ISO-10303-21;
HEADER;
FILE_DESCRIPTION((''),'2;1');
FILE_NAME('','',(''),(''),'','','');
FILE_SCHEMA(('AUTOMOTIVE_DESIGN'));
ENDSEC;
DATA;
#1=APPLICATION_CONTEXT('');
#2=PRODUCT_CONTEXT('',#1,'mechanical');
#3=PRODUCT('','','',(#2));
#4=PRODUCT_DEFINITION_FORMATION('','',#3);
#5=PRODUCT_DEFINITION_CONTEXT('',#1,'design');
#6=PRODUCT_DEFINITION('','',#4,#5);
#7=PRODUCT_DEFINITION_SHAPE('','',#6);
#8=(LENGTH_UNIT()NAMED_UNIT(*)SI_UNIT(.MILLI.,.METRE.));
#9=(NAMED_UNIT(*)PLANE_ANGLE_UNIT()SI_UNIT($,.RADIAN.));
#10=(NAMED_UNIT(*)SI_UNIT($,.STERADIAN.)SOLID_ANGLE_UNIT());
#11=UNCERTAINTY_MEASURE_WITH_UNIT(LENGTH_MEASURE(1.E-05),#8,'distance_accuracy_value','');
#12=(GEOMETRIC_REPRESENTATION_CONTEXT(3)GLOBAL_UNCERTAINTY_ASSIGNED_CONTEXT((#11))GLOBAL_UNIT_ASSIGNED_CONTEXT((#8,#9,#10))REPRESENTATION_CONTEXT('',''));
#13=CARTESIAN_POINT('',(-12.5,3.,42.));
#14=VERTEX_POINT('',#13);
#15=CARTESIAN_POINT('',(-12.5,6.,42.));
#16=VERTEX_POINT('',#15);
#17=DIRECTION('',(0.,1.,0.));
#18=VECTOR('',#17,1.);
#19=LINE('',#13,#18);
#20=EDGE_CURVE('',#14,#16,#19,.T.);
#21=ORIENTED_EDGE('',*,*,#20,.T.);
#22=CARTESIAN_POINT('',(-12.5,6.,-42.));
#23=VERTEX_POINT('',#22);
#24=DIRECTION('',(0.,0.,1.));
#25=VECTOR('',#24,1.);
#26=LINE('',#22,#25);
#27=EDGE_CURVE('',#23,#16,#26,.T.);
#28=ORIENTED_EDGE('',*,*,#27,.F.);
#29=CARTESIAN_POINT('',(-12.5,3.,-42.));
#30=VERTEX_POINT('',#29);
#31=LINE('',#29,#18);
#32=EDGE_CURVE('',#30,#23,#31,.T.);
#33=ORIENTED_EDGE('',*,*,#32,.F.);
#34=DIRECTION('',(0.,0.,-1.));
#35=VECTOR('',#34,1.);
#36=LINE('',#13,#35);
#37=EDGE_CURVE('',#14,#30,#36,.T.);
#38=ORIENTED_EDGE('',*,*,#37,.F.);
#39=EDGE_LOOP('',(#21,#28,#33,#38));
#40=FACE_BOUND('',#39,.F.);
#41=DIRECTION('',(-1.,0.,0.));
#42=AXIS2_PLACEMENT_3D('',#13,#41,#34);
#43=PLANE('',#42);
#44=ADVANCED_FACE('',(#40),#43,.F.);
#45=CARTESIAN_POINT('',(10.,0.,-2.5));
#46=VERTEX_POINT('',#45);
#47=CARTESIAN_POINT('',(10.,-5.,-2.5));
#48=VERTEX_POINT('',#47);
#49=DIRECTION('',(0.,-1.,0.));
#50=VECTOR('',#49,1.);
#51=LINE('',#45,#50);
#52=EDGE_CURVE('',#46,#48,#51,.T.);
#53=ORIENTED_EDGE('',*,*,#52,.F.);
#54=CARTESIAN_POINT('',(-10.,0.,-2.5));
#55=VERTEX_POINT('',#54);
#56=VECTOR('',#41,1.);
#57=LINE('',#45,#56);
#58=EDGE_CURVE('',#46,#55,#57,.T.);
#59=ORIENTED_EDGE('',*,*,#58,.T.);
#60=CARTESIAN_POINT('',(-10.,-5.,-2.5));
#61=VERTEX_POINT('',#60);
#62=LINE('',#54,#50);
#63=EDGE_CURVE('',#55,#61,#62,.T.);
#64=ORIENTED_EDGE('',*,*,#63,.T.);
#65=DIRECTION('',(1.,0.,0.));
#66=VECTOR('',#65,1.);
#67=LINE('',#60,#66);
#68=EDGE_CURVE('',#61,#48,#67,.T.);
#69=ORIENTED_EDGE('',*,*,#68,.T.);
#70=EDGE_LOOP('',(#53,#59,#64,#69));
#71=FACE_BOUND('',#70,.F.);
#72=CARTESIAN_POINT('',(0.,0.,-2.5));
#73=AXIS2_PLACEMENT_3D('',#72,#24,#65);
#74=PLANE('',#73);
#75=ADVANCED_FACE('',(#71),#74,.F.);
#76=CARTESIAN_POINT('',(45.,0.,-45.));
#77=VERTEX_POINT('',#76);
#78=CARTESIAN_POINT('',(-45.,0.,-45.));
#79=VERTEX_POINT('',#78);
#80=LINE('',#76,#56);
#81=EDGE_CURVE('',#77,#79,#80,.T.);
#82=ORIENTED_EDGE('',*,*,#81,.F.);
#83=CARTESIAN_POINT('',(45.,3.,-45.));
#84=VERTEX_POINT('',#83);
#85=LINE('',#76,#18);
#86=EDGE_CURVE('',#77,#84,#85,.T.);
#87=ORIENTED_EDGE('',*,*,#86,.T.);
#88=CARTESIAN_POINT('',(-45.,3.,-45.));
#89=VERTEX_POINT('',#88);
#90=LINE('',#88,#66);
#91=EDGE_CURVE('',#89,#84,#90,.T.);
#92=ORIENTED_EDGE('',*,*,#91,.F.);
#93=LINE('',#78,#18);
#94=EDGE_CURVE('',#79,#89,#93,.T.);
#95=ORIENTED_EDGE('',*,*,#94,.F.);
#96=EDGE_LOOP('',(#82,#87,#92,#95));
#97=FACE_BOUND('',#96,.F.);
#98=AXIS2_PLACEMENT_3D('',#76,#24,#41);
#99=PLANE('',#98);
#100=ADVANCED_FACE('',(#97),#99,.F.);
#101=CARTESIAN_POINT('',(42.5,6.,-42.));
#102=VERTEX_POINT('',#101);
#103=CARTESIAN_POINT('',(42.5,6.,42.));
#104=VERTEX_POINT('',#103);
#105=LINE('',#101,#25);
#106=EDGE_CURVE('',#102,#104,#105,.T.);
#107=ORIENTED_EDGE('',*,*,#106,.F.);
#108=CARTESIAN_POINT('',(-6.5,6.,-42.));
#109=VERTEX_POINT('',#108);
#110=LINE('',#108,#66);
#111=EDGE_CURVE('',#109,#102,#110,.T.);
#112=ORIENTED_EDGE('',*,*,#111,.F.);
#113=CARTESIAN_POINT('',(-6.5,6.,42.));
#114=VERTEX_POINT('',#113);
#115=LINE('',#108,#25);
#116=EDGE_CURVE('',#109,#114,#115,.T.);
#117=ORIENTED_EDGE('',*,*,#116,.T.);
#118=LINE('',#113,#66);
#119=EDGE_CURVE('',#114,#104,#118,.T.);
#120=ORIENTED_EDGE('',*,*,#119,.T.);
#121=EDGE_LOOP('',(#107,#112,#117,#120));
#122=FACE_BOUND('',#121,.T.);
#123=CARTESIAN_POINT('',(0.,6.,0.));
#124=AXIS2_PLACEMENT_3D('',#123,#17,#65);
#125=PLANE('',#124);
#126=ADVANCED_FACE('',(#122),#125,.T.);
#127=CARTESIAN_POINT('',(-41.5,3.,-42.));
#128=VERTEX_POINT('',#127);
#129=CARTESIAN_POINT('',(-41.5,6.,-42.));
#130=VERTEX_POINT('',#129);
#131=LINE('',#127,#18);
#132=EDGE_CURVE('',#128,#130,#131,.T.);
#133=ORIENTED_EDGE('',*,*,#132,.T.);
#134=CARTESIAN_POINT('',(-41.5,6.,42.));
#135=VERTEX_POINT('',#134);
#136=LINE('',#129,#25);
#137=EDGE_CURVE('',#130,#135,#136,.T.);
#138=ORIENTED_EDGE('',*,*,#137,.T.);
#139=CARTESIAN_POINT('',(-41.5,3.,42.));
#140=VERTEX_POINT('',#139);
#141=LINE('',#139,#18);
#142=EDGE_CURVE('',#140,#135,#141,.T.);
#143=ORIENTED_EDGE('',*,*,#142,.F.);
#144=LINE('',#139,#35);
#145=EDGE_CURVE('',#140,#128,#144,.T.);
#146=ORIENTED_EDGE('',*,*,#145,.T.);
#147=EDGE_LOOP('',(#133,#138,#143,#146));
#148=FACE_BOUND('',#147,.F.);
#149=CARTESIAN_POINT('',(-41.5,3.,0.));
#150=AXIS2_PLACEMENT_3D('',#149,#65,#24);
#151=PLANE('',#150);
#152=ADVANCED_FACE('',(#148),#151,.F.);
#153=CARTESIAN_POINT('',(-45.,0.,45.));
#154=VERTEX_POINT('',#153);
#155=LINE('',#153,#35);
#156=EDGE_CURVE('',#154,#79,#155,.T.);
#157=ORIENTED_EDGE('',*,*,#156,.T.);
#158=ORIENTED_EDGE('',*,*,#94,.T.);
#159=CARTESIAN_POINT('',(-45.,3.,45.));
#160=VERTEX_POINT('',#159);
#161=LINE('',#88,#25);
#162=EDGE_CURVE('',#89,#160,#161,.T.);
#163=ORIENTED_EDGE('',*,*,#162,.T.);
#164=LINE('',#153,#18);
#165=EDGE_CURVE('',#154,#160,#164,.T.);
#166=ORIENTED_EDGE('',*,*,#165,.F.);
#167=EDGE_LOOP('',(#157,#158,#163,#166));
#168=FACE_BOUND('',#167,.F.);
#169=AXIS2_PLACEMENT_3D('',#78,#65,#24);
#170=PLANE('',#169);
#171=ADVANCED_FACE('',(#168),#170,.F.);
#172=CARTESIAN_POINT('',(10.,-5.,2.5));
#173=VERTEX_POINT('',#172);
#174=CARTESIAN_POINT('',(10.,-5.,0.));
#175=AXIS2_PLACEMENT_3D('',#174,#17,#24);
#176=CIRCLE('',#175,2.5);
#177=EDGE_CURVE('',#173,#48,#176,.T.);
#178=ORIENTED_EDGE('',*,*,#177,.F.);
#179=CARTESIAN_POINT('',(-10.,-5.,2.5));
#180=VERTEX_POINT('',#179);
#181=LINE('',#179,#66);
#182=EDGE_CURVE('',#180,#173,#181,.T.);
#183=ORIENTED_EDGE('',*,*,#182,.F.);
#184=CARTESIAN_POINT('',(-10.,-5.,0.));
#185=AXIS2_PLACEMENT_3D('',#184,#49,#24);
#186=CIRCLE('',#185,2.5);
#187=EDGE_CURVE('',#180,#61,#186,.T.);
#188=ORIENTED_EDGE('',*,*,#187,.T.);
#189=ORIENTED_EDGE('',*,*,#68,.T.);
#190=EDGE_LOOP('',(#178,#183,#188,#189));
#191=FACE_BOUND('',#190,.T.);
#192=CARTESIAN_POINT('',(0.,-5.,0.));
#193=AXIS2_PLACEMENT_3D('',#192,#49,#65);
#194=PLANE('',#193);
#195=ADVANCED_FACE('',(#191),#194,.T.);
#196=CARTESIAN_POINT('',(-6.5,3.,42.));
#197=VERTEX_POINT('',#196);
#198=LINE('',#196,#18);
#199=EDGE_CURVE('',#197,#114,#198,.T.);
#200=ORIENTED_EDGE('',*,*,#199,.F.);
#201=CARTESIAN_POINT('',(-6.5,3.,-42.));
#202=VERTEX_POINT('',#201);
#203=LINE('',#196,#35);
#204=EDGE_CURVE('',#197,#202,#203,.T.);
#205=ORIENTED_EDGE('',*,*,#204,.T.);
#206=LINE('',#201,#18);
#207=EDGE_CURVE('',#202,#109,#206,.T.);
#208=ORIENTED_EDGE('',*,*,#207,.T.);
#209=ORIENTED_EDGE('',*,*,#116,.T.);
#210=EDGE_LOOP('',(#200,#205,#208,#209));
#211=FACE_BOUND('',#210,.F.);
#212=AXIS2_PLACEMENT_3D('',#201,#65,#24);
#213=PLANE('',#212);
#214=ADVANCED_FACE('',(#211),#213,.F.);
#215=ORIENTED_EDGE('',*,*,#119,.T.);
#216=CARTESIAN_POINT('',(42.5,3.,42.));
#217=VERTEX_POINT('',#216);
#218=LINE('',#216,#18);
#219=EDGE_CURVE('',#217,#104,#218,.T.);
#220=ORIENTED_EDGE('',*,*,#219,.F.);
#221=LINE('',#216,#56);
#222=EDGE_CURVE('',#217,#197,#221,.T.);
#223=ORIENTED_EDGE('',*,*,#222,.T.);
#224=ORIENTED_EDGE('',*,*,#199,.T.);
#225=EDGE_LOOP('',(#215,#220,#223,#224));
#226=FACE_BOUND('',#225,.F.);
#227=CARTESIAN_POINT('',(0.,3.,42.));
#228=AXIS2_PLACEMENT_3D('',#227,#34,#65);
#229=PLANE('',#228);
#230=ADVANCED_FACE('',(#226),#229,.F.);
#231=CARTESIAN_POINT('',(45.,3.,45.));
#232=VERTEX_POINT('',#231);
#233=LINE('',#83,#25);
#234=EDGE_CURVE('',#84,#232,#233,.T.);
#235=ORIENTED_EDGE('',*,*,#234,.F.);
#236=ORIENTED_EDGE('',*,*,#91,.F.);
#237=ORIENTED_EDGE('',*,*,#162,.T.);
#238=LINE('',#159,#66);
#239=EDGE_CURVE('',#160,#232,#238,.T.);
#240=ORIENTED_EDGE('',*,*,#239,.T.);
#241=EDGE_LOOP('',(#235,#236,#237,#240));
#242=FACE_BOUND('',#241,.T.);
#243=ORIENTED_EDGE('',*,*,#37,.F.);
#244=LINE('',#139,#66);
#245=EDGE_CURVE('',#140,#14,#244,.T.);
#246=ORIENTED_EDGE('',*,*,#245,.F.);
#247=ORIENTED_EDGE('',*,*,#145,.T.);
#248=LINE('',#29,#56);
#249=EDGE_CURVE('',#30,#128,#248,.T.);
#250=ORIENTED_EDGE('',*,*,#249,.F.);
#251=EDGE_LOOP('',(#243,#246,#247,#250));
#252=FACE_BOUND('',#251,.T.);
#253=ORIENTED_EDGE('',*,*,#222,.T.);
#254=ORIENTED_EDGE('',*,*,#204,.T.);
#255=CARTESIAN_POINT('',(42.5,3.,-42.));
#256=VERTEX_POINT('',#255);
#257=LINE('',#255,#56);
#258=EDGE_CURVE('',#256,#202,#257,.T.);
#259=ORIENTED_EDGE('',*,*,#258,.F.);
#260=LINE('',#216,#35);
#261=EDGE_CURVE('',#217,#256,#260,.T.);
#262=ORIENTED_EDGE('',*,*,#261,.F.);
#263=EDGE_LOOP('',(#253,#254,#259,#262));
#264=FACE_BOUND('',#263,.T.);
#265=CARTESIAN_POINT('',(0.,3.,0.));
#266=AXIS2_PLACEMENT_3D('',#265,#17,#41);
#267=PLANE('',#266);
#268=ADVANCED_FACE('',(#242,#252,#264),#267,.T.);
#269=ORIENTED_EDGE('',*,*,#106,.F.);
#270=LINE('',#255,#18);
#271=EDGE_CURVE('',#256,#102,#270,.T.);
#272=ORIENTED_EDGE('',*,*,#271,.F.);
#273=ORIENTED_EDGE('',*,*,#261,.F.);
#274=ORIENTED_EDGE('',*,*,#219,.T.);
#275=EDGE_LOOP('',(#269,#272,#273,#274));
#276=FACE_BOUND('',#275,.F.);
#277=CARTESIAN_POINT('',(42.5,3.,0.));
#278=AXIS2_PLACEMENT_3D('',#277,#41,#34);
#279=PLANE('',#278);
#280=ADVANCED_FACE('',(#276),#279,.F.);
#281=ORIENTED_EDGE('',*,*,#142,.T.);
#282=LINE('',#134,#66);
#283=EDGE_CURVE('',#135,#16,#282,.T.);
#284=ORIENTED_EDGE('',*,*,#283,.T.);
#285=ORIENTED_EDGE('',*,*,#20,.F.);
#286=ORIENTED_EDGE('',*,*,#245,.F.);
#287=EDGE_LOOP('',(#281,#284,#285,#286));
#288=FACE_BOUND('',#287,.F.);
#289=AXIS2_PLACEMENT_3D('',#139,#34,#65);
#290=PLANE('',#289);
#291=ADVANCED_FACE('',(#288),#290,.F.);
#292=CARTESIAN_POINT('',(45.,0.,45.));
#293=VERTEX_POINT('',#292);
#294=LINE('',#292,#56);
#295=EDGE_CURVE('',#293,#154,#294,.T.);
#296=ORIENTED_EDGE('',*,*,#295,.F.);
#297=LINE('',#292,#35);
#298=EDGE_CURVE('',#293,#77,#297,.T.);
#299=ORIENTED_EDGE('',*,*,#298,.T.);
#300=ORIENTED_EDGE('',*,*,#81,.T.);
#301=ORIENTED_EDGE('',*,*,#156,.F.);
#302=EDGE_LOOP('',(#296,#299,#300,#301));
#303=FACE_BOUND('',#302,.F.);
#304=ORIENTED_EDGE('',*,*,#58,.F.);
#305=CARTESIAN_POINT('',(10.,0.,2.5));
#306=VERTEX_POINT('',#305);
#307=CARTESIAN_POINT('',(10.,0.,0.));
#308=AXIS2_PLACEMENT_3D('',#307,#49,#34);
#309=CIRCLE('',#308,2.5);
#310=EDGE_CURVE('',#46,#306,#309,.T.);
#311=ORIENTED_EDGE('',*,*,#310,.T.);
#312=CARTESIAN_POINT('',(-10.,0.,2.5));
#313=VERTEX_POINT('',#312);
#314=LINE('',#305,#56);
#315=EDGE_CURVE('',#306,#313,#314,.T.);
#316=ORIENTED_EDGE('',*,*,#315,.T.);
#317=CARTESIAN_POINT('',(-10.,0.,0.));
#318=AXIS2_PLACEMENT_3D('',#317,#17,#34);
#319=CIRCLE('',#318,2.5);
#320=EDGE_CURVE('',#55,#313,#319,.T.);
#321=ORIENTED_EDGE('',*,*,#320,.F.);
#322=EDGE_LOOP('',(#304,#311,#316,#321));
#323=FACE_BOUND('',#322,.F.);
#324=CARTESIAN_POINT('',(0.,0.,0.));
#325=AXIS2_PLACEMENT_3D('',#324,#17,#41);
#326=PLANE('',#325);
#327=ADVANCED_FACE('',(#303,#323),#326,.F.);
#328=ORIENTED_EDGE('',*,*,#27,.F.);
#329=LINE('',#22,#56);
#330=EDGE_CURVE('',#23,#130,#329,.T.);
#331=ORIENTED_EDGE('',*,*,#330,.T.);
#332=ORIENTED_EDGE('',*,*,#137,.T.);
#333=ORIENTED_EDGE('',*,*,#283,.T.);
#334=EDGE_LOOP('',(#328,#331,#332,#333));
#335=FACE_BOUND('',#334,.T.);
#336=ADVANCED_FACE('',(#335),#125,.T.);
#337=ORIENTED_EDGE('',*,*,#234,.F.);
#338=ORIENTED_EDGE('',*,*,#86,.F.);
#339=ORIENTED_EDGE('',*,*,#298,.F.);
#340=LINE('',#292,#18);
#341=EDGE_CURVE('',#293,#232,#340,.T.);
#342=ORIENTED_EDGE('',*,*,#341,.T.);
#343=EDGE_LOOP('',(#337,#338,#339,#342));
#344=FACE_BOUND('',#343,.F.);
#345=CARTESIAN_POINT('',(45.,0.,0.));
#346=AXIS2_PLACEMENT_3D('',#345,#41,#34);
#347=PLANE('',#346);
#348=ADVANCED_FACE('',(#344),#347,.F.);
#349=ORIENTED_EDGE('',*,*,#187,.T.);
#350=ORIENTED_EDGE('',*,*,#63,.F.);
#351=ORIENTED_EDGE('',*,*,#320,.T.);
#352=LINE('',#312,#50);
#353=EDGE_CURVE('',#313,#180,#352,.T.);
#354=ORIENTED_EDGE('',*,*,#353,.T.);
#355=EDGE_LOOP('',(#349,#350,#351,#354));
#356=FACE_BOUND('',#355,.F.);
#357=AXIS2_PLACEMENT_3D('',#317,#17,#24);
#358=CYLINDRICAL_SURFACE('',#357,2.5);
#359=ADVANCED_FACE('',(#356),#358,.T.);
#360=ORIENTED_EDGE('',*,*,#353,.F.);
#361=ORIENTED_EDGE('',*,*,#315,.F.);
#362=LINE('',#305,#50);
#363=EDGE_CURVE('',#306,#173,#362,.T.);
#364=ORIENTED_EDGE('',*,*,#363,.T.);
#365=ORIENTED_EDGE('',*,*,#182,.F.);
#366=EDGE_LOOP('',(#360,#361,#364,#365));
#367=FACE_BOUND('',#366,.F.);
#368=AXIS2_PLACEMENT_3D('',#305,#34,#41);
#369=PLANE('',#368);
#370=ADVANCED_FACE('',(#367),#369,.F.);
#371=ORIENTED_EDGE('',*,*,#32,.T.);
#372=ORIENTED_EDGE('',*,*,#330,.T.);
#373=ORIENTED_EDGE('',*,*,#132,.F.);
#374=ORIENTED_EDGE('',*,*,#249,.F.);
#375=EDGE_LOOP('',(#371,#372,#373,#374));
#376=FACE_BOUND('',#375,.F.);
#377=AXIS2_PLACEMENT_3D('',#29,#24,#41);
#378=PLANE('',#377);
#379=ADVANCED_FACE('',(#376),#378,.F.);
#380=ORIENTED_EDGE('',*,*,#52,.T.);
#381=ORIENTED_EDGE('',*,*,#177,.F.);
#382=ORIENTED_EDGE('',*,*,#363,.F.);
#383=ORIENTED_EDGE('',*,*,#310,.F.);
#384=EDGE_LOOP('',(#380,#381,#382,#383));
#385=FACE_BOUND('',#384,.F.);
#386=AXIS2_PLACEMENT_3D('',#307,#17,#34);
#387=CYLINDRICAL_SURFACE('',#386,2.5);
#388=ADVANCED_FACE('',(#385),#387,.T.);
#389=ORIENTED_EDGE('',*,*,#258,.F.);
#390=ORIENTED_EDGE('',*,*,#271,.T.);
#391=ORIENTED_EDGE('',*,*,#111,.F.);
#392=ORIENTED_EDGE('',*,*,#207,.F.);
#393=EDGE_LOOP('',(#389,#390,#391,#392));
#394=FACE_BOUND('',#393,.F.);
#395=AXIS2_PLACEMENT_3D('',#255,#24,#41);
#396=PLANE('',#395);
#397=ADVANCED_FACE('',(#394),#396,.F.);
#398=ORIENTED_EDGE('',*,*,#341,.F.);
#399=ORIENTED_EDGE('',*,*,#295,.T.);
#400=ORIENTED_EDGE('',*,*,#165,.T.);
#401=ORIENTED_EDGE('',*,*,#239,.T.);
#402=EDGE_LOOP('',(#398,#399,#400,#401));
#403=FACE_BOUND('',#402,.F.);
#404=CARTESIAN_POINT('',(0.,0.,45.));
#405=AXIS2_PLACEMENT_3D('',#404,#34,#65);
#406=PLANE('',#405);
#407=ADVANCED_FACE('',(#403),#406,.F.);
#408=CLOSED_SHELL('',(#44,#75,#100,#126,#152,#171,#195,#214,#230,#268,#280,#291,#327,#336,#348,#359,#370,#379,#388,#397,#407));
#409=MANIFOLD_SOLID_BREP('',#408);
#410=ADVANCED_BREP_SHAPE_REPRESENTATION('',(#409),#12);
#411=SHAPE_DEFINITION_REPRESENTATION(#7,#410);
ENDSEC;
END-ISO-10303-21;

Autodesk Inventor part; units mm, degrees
ref_plane "YZ Plane" through (0, 0, 0) normal (1, 0, 0) x (0, 1, 0)
ref_plane "XZ Plane" through (0, 0, 0) normal (0, 1, 0) x (-1, 0, 0)
ref_plane "XY Plane" through (0, 0, 0) normal (0, 0, 1) x (1, 0, 0)
sketch "Náčrt1" plane through (0, 0, 0) normal (0, 1, 0) x (-1, 0, 0)
  line L0 (0, -63) -> (0, 63) projected
  line L1 (-63, 0) -> (63, 0) projected
  line L2 (45, 45) -> (-45, 45)
  line L3 (-45, 45) -> (-45, -45)
  line L4 (-45, -45) -> (45, -45)
  line L5 (45, -45) -> (45, 45)
  point P0 (0, 0)
  dimension "d0" = 90
  dimension "d1" = 90
extrude "Vysunutí1" add sketch "Náčrt1" along normal blind 3
sketch "Náčrt2" plane through (0, 3, 0) normal (0, 1, 0) x (1, 0, 0)
  line L0 (0, 63) -> (0, -63) projected
  line L1 (63, 0) -> (-63, 0) projected
  line L2 (-41.5, -42) -> (-12.5, -42)
  line L3 (-12.5, -42) -> (-12.5, 42)
  line L4 (-12.5, 42) -> (-41.5, 42)
  line L5 (-41.5, 42) -> (-41.5, -42)
  line L6 (-45, 45) -> (-45, -45) projected
  point P0 (0, 0)
  dimension "d4" = 3.5
  dimension "d5" = 29
  dimension "d6" = 84
extrude "Vysunutí2" add sketch "Náčrt2" along normal blind 3
sketch "Náčrt3" plane through (0, 3, 0) normal (0, 1, 0) x (1, 0, 0)
  line L0 (-12.5, -42) -> (-12.5, 42) projected
  line L1 (0, 63) -> (0, -63) projected
  line L2 (63, 0) -> (-63, 0) projected
  line L3 (-6.5, -42) -> (42.5, -42)
  line L4 (42.5, -42) -> (42.5, 42)
  line L5 (42.5, 42) -> (-6.5, 42)
  line L6 (-6.5, 42) -> (-6.5, -42)
  point P0 (0, 0)
  point P1 (18, -42)
  dimension "d9" = 6
  dimension "d10" = 49
  dimension "d11" = 84
extrude "Vysunutí3" add sketch "Náčrt3" along normal blind 3
sketch "Náčrt6" plane through (0, 0, 0) normal (0, -1, 0) x (1, 0, 0)
  line L0 (0, 63) -> (0, -63) projected
  line L1 (-63, 0) -> (63, 0) projected
  line L2 (-10, 0) -> (10, 0) construction
  line L3 (-6.5, -42) -> (-6.5, 42) projected
  line L4 (-10, -2.5) -> (10, -2.5)
  line L5 (10, 2.5) -> (-10, 2.5)
  arc A0 (-10, 2.5) -> (-10, -2.5) centre (-10, 0) ccw
  arc A1 (10, -2.5) -> (10, 2.5) centre (10, 0) ccw
  point P0 (0, 0)
  point P1 (0, 0)
  dimension "d14" = 20
  dimension "d15" = 5
extrude "Vysunutí4" add sketch "Náčrt6" along normal blind 5
properties part number "víčko"
